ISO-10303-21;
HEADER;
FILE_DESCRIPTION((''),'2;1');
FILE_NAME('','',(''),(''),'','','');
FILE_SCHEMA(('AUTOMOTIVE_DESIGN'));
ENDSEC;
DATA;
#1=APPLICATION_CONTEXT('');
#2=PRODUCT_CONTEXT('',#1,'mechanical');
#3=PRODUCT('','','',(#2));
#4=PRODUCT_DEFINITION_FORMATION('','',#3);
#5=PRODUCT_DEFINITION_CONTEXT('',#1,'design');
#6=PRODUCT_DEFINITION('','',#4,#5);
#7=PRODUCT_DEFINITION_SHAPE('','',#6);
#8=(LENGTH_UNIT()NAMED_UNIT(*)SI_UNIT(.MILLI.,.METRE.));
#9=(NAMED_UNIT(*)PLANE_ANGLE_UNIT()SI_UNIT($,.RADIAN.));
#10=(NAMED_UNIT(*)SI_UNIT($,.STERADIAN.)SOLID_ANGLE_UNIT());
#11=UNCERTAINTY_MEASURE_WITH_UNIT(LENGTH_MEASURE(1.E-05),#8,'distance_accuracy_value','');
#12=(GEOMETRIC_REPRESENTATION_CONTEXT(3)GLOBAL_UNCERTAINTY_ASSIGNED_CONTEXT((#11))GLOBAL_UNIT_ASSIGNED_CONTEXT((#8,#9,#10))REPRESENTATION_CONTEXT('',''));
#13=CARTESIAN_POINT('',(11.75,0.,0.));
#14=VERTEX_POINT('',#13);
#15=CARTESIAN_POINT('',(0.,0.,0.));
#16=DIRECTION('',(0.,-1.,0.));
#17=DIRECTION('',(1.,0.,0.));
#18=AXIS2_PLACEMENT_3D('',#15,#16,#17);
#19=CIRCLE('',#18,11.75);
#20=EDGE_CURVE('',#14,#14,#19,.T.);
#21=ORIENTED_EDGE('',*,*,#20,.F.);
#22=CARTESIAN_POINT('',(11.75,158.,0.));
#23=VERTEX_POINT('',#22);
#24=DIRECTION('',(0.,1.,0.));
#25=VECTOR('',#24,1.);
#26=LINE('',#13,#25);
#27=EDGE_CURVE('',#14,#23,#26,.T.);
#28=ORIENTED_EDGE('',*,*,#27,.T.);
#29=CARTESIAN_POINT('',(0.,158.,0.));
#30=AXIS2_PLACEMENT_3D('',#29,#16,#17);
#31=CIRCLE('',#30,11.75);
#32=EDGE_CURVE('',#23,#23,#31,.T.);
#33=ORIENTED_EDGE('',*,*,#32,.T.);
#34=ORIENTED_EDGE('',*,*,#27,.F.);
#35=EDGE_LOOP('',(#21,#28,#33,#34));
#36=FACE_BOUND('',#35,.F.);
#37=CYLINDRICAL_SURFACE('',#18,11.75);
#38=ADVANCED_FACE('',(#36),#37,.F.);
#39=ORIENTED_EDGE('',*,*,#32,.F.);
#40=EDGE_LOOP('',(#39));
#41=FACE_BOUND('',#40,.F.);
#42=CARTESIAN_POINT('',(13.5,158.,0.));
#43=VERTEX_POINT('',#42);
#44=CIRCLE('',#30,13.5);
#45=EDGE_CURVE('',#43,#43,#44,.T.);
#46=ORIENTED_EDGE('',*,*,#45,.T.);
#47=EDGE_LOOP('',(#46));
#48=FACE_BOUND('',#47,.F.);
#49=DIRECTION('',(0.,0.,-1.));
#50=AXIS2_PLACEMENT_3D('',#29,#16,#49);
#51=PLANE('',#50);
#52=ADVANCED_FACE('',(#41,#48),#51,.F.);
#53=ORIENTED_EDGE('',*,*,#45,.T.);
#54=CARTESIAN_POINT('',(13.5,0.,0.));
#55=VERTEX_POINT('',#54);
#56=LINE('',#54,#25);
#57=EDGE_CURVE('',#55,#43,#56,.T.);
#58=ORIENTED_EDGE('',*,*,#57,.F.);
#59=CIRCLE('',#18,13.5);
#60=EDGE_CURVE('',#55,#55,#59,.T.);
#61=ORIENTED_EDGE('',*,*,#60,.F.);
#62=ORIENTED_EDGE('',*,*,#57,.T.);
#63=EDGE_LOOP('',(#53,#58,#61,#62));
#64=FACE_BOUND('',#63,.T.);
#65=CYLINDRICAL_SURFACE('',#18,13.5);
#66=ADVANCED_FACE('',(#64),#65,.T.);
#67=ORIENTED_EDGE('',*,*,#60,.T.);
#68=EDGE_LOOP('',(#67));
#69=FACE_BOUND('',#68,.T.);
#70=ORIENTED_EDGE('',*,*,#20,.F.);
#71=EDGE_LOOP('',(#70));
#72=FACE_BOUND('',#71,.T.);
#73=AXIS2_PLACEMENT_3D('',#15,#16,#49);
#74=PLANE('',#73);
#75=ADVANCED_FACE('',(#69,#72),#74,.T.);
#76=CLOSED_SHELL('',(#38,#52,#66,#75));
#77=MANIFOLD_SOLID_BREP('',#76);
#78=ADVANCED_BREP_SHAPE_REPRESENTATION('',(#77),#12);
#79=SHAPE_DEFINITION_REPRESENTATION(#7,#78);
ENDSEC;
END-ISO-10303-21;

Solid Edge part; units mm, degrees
sketch "Sketch1" plane through (0, 0, 0) normal (0, -1, 0) x (1, 0, 0)
  circle A0 centre (0, 0) radius 13.5
  circle A1 centre (0, 0) radius 11.75
extrude "Protrusion1" add sketch "Sketch1" against normal blind 158
